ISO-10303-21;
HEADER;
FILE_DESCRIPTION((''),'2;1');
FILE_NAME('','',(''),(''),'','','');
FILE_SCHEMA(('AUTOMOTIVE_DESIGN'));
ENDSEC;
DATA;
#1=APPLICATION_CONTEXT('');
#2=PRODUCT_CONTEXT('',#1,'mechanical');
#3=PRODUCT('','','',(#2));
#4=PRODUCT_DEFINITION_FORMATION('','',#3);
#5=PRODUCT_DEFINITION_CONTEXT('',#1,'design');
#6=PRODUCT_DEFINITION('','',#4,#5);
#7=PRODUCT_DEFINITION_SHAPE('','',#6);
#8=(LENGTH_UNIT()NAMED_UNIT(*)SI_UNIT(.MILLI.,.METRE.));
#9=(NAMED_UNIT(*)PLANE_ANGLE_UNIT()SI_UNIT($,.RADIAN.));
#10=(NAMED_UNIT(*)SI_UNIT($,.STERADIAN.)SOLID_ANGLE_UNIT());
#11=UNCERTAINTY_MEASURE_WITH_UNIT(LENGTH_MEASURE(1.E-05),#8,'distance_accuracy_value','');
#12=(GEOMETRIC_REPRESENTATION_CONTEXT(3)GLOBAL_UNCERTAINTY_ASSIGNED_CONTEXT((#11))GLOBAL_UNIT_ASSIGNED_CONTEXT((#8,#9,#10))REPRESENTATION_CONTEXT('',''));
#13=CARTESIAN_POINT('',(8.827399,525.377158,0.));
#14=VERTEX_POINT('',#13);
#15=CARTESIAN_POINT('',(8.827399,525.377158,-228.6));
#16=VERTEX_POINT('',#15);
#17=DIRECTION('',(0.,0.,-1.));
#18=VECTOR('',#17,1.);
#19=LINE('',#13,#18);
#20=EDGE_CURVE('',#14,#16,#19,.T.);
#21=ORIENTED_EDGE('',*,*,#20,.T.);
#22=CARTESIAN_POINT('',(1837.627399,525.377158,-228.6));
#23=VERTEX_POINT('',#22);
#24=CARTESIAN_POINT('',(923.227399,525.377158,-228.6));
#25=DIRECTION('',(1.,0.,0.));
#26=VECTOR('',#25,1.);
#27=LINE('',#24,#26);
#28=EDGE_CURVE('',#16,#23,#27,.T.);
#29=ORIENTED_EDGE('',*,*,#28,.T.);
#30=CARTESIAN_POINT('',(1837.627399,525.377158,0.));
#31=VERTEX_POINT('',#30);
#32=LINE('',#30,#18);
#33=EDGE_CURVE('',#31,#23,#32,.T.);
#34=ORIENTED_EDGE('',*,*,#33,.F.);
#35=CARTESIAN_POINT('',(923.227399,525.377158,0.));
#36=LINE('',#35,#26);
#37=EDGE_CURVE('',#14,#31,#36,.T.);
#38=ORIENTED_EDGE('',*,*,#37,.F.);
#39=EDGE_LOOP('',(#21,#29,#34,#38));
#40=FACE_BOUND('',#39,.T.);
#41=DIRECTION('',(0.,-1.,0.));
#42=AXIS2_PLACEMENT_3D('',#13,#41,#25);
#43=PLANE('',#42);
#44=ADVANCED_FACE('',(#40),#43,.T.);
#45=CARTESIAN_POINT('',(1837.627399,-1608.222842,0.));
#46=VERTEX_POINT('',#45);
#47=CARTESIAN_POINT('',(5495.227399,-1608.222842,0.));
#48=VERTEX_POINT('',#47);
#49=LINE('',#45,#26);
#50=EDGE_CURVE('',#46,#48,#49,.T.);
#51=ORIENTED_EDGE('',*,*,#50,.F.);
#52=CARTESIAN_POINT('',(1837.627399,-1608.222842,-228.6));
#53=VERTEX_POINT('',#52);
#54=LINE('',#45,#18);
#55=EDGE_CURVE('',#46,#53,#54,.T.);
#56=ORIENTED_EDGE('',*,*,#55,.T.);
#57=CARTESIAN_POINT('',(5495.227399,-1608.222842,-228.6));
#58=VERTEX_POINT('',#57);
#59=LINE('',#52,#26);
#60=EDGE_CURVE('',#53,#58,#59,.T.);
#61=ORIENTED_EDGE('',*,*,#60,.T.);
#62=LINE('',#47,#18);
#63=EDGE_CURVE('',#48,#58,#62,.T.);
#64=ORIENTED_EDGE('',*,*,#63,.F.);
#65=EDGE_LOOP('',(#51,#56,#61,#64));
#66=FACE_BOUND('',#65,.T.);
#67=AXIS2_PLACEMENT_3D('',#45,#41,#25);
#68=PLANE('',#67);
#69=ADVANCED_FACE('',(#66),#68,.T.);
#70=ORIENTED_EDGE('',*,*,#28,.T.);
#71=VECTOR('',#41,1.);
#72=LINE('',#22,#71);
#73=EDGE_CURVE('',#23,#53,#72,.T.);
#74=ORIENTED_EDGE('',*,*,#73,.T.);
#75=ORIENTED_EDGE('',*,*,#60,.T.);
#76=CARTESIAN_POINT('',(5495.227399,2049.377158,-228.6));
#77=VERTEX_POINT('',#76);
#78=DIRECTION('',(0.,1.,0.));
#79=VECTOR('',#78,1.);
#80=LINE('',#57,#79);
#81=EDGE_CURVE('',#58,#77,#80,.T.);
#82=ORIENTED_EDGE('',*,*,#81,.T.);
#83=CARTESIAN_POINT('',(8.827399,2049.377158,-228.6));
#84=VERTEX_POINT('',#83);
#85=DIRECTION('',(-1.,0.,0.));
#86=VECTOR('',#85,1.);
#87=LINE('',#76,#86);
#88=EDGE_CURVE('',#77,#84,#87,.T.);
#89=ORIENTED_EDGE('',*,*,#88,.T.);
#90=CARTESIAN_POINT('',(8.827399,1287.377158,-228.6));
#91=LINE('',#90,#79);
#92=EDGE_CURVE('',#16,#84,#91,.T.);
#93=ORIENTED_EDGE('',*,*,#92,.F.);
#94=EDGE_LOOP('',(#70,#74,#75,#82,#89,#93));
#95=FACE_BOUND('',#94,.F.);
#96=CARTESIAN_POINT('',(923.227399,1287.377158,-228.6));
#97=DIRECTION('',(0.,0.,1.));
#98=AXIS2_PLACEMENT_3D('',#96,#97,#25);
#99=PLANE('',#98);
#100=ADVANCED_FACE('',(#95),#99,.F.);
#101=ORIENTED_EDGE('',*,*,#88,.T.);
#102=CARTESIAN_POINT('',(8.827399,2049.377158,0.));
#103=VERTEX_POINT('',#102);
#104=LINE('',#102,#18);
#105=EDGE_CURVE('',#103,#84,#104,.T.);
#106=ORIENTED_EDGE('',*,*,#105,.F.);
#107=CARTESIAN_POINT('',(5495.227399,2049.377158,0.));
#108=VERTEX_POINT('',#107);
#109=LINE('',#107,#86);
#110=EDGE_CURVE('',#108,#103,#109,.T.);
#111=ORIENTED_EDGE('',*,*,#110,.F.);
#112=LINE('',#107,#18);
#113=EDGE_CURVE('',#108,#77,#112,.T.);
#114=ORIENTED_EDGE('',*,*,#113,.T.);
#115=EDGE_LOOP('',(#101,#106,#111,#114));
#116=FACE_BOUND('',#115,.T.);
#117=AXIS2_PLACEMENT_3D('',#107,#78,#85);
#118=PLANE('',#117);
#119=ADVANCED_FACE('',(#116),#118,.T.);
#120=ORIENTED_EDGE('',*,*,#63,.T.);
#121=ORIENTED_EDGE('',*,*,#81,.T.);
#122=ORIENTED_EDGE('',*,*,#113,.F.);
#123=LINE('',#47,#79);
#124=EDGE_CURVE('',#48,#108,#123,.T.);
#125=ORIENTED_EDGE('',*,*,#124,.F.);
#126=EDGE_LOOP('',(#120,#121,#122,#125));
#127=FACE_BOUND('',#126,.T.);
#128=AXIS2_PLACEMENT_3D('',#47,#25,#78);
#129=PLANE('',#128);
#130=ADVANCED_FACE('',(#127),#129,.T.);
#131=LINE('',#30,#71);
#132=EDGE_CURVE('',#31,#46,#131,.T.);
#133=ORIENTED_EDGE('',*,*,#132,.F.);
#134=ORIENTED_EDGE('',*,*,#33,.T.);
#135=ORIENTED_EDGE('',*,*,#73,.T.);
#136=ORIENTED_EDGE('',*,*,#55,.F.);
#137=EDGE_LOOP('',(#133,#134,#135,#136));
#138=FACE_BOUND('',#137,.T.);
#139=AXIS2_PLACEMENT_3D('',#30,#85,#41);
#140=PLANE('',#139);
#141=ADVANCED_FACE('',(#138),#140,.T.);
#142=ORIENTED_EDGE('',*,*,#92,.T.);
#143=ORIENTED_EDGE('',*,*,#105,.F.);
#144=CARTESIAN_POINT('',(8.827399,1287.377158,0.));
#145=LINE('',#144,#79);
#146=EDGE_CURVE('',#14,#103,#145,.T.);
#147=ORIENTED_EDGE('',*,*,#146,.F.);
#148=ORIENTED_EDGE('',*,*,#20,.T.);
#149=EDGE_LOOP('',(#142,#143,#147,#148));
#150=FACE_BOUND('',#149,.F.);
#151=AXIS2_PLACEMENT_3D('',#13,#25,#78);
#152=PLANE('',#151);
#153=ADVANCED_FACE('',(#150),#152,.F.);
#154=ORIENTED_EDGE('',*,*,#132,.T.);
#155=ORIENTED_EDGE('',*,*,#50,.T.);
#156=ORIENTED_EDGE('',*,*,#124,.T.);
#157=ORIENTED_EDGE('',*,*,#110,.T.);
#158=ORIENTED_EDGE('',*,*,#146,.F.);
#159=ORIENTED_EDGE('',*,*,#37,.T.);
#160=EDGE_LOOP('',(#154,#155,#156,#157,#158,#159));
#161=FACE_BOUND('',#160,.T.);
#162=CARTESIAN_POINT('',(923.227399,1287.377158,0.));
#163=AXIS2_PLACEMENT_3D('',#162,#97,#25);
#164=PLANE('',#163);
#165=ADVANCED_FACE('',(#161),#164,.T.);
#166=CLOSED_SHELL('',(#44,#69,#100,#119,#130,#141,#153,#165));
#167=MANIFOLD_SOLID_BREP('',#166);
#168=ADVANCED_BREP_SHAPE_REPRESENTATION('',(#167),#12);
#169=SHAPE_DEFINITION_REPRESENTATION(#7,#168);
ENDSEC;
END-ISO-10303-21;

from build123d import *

# Parameters (mm, degrees)
F0_W     = 1828.8
F0_H     = 1524
F1_DEPTH = 228.6


with BuildPart() as f1:
    # F0 (on Top) → F1 (new body)
    with BuildSketch(Plane.XY):
        with Locations((923.2273994625, 1287.3771577835)):
            Rectangle(F0_W, F0_H)
        Polygon((5495.2273994625, 2049.3771577835), (1837.6273994625, 2049.3771577835), (1837.6273994625, 525.3771577835), (1837.6273994625, -1608.2228422165), (5495.2273994625, -1608.2228422165), align=None)
    extrude(amount=-F1_DEPTH)


solid = f1.part
